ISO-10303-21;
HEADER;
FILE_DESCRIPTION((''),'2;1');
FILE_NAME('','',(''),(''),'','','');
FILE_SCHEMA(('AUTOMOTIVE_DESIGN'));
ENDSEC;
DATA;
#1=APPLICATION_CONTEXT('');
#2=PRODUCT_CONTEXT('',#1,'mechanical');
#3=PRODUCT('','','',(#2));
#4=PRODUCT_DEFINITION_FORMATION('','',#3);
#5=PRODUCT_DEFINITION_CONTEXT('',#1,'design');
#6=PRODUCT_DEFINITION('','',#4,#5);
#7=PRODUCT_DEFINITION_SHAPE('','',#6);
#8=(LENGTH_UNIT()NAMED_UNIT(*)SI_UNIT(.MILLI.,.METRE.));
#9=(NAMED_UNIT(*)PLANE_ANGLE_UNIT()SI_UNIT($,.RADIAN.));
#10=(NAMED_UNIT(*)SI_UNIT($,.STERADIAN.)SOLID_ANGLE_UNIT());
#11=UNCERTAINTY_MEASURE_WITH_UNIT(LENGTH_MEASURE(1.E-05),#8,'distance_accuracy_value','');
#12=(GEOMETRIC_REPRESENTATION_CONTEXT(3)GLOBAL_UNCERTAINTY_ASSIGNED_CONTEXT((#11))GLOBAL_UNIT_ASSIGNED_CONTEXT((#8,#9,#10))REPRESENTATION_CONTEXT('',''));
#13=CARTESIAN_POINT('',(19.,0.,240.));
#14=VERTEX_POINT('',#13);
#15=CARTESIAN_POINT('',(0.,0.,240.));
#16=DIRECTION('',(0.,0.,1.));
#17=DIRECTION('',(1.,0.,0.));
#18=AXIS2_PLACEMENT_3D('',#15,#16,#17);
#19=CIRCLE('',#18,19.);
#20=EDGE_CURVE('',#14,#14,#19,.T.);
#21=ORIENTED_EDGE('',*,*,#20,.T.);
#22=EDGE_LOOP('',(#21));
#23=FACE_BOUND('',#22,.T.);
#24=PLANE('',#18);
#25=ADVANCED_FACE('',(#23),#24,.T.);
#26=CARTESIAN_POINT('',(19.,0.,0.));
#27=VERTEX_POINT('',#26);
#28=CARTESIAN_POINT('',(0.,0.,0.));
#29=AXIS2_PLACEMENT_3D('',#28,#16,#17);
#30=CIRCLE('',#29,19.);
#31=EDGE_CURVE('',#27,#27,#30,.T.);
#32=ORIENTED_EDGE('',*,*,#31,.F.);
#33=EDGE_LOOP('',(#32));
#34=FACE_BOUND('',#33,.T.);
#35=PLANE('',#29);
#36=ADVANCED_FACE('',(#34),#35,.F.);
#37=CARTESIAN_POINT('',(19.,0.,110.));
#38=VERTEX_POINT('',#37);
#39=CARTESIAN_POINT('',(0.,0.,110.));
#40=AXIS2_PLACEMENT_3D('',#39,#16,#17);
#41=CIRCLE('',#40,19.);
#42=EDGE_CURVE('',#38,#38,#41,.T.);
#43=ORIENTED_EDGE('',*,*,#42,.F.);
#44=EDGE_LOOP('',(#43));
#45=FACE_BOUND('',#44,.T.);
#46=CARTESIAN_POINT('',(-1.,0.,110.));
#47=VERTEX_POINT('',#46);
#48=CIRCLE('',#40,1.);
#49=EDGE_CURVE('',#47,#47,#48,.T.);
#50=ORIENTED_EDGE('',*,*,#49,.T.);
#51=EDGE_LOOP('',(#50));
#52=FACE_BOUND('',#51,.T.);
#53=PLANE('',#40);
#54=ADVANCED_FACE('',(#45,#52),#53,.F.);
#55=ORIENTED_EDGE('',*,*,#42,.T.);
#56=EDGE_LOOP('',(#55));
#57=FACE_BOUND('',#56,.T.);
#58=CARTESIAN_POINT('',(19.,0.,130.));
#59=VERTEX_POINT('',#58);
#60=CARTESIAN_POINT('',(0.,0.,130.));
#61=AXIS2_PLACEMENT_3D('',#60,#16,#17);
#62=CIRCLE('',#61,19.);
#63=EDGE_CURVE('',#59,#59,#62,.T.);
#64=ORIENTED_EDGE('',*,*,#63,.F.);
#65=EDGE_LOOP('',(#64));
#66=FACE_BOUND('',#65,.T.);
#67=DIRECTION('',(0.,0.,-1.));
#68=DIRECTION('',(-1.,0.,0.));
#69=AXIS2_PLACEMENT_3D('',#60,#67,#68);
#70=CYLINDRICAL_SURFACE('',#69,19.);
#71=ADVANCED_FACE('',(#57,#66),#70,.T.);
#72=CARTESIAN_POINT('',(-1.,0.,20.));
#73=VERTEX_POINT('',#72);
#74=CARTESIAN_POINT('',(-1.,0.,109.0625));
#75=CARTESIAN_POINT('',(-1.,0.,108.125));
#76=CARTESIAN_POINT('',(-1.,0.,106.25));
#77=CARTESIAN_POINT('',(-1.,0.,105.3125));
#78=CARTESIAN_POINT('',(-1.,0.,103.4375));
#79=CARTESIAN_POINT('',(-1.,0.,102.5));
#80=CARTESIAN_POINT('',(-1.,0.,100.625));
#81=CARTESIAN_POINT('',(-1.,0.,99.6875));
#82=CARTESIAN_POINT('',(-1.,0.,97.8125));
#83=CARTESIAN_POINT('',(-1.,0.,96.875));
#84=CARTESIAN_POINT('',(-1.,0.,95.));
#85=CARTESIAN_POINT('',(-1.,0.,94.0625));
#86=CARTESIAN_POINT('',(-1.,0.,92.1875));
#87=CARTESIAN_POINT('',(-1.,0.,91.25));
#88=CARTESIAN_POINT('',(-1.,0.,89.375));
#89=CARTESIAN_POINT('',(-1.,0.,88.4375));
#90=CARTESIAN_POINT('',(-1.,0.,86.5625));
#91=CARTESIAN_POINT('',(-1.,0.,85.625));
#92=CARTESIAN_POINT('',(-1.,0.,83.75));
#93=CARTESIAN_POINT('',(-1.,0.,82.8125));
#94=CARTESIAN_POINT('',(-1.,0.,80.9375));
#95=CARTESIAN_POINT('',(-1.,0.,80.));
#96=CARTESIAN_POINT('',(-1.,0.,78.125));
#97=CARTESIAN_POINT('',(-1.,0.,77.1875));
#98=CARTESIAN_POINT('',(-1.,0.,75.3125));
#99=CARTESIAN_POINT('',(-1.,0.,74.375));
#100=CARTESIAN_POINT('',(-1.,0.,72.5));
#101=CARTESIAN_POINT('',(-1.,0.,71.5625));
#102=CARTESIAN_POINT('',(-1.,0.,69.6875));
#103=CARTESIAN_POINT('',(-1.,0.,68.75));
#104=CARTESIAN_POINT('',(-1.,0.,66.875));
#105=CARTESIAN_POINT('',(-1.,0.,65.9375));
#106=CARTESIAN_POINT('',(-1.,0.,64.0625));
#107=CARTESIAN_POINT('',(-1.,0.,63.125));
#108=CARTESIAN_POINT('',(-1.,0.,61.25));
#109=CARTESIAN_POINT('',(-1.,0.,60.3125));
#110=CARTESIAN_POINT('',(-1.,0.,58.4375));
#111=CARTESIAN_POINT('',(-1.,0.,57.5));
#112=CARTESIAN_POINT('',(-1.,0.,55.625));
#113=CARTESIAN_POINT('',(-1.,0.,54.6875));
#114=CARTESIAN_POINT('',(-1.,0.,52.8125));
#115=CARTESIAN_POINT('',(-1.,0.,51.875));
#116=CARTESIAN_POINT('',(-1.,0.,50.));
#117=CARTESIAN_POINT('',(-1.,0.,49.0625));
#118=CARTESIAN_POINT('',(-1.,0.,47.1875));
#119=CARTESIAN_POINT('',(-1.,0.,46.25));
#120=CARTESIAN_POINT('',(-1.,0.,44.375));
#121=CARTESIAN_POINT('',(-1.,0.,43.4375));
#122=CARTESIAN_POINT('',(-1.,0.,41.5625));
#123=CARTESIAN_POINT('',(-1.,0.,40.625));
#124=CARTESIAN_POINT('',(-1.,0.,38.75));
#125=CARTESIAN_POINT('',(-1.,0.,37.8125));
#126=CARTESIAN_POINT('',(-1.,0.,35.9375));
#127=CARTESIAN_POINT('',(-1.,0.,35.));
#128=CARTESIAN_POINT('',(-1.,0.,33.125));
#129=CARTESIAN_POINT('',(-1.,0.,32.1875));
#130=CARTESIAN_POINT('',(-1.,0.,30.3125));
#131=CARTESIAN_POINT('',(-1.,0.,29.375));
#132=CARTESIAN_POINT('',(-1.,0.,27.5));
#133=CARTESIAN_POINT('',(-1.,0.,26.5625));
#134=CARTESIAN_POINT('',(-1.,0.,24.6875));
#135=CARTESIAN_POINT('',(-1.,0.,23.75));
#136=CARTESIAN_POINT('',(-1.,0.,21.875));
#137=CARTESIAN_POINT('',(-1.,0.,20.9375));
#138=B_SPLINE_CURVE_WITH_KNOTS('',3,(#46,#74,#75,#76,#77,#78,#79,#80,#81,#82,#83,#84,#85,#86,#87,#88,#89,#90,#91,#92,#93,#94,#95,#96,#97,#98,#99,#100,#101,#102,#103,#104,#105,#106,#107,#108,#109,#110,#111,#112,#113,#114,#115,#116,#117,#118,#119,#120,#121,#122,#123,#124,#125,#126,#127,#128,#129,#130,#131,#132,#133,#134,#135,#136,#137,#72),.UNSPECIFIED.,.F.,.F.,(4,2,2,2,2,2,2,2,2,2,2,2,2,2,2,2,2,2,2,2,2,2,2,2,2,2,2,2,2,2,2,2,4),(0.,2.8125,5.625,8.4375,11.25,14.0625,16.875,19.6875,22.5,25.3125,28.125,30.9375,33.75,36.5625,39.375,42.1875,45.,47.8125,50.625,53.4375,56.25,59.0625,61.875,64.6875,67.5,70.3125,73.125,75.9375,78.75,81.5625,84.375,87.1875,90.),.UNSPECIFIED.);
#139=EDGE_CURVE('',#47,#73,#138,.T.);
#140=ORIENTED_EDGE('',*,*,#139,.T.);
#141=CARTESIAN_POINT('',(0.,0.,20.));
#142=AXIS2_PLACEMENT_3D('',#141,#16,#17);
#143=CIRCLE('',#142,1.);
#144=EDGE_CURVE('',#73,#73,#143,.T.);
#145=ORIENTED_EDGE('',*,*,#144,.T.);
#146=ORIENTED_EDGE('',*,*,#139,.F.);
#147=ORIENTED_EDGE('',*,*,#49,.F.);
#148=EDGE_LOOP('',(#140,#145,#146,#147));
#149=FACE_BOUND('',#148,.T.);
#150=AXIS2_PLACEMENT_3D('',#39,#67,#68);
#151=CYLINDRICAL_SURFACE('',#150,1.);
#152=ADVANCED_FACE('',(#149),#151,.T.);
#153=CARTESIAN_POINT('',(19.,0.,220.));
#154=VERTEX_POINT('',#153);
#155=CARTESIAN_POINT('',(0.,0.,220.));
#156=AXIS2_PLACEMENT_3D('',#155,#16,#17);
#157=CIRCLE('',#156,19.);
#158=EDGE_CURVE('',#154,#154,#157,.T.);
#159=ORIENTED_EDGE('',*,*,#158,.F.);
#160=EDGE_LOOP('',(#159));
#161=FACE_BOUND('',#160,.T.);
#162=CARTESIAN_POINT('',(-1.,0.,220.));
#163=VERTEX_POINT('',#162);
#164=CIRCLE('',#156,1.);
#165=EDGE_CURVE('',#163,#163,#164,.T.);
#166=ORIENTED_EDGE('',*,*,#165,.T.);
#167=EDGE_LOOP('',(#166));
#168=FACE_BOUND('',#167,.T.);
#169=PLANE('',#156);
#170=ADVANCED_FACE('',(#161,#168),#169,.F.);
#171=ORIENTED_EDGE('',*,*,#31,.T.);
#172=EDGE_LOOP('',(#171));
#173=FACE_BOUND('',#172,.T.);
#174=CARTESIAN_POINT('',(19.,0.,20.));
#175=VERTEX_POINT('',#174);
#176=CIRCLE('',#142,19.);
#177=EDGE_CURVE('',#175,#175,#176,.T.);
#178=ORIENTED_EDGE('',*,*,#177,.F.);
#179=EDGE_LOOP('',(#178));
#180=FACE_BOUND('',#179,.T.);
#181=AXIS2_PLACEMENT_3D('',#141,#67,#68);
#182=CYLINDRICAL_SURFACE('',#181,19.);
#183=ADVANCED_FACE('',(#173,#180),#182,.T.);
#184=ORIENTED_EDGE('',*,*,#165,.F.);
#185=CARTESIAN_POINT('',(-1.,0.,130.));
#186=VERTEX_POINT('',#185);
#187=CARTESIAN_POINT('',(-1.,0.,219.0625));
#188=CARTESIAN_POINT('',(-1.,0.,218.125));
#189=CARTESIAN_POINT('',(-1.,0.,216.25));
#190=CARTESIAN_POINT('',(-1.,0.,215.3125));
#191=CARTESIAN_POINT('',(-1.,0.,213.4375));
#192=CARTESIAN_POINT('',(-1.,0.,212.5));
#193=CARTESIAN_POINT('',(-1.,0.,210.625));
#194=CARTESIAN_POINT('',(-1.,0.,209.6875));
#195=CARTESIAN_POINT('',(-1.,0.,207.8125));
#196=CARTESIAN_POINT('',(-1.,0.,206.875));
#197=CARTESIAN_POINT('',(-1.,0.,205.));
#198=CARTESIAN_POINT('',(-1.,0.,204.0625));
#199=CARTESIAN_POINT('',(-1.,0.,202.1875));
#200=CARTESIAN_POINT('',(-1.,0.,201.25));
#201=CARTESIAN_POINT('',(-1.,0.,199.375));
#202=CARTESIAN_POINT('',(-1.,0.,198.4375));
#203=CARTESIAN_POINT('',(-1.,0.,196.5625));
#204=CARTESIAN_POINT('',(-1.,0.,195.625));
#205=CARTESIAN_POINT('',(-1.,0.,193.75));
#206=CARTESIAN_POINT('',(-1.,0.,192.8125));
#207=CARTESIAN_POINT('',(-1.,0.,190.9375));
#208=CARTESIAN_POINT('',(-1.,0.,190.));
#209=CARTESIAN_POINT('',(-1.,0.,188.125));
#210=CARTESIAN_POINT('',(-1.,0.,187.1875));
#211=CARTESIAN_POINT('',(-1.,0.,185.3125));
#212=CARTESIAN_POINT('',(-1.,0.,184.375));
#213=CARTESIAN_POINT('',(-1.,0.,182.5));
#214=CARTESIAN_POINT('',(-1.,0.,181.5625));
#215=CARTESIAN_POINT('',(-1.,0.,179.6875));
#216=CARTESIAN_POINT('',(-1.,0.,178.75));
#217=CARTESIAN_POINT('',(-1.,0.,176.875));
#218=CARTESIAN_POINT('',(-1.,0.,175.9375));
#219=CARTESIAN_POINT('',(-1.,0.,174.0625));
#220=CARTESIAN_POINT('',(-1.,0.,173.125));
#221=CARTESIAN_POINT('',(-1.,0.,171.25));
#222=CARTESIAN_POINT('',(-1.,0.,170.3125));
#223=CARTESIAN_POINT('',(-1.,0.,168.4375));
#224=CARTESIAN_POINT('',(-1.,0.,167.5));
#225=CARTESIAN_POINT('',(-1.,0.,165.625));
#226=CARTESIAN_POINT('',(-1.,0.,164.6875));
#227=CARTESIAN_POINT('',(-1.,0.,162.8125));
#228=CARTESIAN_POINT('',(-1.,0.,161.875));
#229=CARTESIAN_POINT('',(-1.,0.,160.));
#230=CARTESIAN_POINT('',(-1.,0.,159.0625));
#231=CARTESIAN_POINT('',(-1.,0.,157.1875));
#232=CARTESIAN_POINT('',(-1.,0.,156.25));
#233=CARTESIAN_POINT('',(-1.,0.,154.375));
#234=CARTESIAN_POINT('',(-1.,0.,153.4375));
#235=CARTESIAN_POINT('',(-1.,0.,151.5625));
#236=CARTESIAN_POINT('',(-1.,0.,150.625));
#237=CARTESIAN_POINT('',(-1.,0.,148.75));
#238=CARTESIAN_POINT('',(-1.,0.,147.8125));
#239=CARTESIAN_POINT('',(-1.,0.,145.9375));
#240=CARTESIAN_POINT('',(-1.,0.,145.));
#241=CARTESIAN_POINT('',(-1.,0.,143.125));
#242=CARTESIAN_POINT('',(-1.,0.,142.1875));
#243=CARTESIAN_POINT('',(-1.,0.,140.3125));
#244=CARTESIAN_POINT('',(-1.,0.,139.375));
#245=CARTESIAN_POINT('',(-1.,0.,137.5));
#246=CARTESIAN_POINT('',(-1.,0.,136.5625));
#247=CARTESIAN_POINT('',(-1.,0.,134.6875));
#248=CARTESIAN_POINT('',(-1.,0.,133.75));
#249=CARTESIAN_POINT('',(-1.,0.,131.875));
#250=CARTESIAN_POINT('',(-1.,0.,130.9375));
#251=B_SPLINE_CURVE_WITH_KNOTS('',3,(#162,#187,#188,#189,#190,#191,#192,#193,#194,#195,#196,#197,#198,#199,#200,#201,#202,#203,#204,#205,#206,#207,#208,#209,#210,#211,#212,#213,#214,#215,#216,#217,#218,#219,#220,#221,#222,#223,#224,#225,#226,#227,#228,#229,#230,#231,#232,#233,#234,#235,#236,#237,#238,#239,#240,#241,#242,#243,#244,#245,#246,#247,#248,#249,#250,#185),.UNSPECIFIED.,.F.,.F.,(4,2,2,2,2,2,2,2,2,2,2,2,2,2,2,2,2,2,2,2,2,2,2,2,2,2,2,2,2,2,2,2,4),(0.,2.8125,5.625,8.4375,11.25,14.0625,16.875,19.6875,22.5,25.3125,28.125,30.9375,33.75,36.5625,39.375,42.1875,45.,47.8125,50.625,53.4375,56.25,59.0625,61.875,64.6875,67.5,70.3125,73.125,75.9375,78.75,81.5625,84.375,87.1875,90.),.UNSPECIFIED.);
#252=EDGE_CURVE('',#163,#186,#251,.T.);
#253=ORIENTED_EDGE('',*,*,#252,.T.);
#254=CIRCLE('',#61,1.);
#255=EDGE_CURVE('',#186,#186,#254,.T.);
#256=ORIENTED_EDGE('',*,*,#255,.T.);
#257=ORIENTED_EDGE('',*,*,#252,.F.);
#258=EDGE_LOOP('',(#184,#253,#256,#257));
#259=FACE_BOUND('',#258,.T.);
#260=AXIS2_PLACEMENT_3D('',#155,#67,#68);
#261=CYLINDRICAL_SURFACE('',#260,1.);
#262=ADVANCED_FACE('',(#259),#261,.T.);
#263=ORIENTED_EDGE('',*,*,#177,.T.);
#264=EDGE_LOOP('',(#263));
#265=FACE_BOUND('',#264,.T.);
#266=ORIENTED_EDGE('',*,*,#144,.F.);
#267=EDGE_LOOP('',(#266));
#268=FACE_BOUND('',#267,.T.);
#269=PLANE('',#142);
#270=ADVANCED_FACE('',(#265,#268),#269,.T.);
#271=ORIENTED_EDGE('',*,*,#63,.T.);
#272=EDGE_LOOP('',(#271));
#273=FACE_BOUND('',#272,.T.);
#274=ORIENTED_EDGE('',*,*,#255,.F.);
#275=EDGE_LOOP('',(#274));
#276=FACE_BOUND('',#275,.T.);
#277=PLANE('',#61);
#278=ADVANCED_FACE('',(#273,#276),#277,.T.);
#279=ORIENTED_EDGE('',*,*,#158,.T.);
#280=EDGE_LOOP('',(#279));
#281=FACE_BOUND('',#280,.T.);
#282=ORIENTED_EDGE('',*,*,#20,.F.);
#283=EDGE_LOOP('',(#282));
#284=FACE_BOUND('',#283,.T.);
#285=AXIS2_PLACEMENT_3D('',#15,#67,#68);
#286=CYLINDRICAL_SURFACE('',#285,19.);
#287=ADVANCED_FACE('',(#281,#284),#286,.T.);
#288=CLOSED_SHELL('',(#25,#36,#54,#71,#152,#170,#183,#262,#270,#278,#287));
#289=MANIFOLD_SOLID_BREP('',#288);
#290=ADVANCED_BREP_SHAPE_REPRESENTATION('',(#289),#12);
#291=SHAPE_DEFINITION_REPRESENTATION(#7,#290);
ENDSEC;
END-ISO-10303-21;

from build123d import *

# Parameters (mm, degrees)
SKETCH_1_R      = 19
EXTRUDE_1_DEPTH = 20
SKETCH_2_R      = 1
EXTRUDE_2_DEPTH = 90
SKETCH_3_R      = 19
EXTRUDE_3_DEPTH = 20
SKETCH_4_R      = 1
EXTRUDE_4_DEPTH = 90
SKETCH_5_R      = 19
EXTRUDE_5_DEPTH = 20


with BuildPart() as part:
    # 草图1 → 凸台-拉伸1 (new body)
    with BuildSketch(Plane.XY):
        Circle(SKETCH_1_R)
    extrude(amount=EXTRUDE_1_DEPTH)

    # 草图2 → 凸台-拉伸2 (add)
    with BuildSketch(Plane.XY.offset(20)):
        with Locations(Location((0, 0, 0), (0, 0, 180))):
            Circle(SKETCH_2_R)
    extrude(amount=EXTRUDE_2_DEPTH)

    # 草图3 → 凸台-拉伸3 (add)
    with BuildSketch(Plane.XY.offset(110)):
        Circle(SKETCH_3_R)
    extrude(amount=EXTRUDE_3_DEPTH)

    # 草图4 → 凸台-拉伸4 (add)
    with BuildSketch(Plane.XY.offset(130)):
        with Locations(Location((0, 0, 0), (0, 0, 180))):
            Circle(SKETCH_4_R)
    extrude(amount=EXTRUDE_4_DEPTH)

    # 草图5 → 凸台-拉伸5 (add)
    with BuildSketch(Plane.XY.offset(220)):
        Circle(SKETCH_5_R)
    extrude(amount=EXTRUDE_5_DEPTH)


solid = part.part
